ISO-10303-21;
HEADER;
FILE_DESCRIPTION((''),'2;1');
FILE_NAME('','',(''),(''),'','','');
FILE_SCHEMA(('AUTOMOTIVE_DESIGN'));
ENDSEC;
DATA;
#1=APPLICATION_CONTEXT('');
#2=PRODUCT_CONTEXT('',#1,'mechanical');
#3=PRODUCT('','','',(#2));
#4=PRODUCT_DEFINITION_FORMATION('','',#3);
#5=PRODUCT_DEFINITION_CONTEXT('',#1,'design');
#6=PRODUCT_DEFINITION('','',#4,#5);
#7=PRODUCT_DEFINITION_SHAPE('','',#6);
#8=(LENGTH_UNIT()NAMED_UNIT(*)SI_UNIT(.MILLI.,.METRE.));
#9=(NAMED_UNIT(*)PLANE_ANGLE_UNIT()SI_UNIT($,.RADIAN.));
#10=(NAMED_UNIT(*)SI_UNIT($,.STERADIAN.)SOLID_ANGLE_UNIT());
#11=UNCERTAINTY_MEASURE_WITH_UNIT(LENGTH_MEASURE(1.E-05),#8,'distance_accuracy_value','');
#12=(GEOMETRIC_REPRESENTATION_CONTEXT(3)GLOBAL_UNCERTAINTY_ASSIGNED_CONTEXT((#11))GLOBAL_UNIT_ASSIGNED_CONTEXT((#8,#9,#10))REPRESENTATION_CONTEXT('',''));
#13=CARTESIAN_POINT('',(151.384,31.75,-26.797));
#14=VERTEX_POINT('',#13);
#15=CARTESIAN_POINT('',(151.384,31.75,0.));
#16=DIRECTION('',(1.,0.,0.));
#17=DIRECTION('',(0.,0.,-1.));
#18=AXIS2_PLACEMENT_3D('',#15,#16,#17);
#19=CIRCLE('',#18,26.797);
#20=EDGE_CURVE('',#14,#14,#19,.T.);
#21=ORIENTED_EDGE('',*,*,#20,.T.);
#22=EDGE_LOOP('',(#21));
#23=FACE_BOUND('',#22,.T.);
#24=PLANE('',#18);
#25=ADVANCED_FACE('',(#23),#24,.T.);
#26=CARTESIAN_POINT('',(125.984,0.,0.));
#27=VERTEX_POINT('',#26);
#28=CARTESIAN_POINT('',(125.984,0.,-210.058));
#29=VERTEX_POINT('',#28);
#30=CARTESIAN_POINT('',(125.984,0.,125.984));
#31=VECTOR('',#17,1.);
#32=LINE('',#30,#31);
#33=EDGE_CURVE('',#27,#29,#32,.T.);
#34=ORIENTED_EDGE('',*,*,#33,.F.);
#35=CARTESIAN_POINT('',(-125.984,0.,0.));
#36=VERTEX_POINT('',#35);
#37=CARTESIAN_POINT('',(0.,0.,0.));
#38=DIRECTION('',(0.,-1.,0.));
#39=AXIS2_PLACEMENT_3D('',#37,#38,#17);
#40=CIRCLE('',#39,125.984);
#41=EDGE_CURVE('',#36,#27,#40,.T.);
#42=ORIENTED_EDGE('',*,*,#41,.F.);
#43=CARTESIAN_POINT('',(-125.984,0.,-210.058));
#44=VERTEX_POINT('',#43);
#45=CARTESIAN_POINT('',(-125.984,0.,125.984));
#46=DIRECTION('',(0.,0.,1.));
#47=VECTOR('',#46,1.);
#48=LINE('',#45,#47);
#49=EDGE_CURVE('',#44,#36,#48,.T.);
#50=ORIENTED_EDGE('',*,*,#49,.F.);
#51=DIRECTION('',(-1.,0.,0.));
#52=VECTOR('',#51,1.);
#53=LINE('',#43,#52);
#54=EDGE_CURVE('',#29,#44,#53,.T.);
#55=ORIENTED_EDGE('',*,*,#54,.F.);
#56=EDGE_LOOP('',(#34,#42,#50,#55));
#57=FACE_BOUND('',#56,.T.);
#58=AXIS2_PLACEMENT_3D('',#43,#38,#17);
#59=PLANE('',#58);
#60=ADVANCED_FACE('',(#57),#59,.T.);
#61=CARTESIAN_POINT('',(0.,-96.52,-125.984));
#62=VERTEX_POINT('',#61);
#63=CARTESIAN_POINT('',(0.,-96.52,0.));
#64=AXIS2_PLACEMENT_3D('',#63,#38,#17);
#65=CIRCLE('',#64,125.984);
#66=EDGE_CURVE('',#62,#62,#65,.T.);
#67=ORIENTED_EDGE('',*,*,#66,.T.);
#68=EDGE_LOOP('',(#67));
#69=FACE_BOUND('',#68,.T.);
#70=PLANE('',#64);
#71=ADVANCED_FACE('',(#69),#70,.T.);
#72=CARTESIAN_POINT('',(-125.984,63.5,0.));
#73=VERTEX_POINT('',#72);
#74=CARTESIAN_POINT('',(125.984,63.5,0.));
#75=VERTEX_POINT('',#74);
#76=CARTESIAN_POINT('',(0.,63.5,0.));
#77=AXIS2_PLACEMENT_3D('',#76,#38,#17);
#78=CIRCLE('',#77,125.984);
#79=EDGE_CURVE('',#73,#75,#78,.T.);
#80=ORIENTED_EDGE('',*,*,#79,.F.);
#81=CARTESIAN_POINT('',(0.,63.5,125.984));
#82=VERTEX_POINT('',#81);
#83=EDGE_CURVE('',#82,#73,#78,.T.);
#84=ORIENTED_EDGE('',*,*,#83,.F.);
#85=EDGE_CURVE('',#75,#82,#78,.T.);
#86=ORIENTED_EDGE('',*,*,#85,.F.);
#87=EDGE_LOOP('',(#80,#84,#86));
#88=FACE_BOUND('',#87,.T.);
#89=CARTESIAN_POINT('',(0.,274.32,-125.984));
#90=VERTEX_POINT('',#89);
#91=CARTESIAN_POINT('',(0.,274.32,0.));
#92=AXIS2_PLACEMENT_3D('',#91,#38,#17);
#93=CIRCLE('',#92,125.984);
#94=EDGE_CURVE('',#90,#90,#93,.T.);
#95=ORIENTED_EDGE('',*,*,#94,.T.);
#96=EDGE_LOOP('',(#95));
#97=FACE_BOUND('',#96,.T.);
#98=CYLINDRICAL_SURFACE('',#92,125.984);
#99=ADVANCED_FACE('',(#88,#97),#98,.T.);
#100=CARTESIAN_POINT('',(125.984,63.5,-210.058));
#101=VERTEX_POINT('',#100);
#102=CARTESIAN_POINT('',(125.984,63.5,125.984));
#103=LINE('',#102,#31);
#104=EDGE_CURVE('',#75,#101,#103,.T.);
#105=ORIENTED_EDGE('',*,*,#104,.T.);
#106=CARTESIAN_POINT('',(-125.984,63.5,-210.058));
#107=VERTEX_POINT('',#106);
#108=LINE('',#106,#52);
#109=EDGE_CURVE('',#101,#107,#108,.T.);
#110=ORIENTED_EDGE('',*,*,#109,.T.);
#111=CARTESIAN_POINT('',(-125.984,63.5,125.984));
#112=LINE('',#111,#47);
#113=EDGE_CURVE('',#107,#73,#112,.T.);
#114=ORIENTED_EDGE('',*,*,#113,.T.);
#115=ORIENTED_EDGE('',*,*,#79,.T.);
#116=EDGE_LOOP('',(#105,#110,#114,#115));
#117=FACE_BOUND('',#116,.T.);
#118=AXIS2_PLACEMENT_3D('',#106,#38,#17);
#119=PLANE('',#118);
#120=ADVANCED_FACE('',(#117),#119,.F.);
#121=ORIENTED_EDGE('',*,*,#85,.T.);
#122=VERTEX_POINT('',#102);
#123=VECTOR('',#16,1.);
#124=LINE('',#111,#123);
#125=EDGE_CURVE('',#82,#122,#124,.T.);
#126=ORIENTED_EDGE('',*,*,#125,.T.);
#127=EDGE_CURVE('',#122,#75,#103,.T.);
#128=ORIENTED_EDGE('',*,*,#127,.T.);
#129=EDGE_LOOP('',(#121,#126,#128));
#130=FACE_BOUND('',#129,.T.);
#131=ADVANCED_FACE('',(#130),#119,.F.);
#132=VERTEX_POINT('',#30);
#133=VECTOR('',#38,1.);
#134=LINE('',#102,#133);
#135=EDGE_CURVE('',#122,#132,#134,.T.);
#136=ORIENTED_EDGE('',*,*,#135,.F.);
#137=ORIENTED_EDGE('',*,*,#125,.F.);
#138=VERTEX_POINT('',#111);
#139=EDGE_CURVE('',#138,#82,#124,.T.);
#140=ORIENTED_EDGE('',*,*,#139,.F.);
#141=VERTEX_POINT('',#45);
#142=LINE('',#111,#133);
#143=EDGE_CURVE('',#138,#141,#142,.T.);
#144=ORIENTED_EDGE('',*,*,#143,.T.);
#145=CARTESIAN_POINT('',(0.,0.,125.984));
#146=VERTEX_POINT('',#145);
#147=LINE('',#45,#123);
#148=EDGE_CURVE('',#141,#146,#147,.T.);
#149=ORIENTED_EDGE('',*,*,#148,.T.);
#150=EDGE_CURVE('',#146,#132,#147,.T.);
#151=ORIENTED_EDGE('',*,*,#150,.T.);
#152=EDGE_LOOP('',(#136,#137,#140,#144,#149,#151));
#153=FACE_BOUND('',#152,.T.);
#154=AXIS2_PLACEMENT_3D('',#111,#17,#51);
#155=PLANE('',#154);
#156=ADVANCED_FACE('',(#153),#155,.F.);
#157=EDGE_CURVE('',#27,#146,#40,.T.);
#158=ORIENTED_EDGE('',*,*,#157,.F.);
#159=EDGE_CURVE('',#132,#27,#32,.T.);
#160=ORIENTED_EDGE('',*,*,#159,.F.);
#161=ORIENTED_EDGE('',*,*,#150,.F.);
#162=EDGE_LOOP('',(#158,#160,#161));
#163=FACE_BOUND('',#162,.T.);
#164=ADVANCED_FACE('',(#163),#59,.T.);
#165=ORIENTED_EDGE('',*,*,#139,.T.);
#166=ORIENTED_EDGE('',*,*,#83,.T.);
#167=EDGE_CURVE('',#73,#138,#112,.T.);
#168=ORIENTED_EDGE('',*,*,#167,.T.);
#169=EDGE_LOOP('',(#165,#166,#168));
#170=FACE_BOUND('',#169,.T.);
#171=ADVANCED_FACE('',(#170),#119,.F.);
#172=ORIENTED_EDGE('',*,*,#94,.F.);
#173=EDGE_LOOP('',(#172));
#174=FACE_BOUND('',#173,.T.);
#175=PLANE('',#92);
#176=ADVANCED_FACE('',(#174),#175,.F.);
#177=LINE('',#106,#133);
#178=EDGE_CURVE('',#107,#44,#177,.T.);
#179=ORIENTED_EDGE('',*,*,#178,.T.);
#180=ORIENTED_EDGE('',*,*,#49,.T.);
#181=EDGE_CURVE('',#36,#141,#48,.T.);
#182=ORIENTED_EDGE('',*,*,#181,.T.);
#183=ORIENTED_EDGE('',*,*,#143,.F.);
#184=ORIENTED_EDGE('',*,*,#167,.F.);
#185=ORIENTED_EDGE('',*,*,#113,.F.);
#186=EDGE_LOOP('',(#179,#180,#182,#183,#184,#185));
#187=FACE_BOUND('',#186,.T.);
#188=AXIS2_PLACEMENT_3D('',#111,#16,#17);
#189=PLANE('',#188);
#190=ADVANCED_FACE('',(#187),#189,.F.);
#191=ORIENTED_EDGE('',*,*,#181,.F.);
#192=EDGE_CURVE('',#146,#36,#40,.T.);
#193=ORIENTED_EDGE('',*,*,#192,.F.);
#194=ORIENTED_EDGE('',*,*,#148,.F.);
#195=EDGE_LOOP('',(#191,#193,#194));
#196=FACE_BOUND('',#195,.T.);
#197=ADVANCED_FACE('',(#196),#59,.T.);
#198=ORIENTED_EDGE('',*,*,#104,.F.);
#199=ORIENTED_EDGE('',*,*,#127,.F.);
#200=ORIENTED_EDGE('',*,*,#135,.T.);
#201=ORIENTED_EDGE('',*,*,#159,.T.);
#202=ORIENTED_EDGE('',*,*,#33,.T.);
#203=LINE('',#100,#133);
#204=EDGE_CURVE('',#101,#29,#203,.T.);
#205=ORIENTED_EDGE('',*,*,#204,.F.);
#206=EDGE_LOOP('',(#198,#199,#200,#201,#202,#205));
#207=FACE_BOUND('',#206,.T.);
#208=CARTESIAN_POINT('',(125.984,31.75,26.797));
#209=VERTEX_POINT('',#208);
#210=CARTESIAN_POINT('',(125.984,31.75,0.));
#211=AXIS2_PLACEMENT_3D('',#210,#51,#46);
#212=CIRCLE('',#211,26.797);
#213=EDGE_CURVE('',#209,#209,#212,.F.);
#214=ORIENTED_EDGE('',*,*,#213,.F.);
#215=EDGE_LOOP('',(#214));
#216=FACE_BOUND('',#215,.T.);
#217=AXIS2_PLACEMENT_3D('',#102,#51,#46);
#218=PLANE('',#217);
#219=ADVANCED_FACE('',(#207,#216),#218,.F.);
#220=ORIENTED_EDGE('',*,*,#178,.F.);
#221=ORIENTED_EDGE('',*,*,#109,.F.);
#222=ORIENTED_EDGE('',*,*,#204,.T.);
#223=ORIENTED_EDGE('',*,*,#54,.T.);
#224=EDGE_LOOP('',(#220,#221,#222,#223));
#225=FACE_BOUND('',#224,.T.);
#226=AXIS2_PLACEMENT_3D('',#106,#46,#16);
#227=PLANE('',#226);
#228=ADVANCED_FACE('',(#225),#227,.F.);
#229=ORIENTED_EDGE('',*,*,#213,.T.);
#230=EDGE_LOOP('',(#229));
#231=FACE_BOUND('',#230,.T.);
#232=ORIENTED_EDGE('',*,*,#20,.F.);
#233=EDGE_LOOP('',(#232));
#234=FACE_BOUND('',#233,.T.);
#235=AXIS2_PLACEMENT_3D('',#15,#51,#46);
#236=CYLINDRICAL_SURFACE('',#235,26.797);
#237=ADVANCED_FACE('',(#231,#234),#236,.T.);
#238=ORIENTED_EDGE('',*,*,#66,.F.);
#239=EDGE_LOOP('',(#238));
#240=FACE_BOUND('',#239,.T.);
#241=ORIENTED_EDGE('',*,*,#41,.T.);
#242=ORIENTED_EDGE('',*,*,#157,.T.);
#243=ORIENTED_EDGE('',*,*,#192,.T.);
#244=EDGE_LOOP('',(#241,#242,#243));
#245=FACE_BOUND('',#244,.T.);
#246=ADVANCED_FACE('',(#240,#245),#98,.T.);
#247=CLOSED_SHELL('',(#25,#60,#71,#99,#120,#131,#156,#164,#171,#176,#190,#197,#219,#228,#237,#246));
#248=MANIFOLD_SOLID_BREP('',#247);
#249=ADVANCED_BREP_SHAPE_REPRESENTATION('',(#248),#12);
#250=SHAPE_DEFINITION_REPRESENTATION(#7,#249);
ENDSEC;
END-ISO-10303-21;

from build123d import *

# Parameters (mm, degrees)
SKETCH1_W                = 251.968
SKETCH1_H                = 336.042
BOSS_EXTRUDE1_DEPTH      = 63.5
SKETCH2_R                = 125.984
BOSS_EXTRUDE2_DEPTH      = 96.52
BOSS_EXTRUDE2_DEPTH_BACK = 274.32
SKETCH4_R                = 26.797
BOSS_EXTRUDE7_DEPTH      = 25.4


with BuildPart() as part:
    # Sketch1 → Boss-Extrude1 (new body)
    with BuildSketch(Plane(origin=(0, 0, 0), x_dir=(1, 0, 0), z_dir=(0, 1, 0))):
        with Locations((0, 42.037)):
            Rectangle(SKETCH1_W, SKETCH1_H)
    extrude(amount=BOSS_EXTRUDE1_DEPTH)

    # Sketch2 → Boss-Extrude2 (add, two sides)
    with BuildSketch(Plane.XZ) as boss_extrude2_sk:
        Circle(SKETCH2_R)
    extrude(amount=BOSS_EXTRUDE2_DEPTH)
    extrude(boss_extrude2_sk.sketch, amount=-BOSS_EXTRUDE2_DEPTH_BACK)

    # Sketch4 → Boss-Extrude7 (add)
    with BuildSketch(Plane(origin=(125.984, 0, 0), x_dir=(0, 0, -1), z_dir=(1, 0, 0))):
        with Locations((0, 31.75)):
            Circle(SKETCH4_R)
    extrude(amount=BOSS_EXTRUDE7_DEPTH)


solid = part.part
